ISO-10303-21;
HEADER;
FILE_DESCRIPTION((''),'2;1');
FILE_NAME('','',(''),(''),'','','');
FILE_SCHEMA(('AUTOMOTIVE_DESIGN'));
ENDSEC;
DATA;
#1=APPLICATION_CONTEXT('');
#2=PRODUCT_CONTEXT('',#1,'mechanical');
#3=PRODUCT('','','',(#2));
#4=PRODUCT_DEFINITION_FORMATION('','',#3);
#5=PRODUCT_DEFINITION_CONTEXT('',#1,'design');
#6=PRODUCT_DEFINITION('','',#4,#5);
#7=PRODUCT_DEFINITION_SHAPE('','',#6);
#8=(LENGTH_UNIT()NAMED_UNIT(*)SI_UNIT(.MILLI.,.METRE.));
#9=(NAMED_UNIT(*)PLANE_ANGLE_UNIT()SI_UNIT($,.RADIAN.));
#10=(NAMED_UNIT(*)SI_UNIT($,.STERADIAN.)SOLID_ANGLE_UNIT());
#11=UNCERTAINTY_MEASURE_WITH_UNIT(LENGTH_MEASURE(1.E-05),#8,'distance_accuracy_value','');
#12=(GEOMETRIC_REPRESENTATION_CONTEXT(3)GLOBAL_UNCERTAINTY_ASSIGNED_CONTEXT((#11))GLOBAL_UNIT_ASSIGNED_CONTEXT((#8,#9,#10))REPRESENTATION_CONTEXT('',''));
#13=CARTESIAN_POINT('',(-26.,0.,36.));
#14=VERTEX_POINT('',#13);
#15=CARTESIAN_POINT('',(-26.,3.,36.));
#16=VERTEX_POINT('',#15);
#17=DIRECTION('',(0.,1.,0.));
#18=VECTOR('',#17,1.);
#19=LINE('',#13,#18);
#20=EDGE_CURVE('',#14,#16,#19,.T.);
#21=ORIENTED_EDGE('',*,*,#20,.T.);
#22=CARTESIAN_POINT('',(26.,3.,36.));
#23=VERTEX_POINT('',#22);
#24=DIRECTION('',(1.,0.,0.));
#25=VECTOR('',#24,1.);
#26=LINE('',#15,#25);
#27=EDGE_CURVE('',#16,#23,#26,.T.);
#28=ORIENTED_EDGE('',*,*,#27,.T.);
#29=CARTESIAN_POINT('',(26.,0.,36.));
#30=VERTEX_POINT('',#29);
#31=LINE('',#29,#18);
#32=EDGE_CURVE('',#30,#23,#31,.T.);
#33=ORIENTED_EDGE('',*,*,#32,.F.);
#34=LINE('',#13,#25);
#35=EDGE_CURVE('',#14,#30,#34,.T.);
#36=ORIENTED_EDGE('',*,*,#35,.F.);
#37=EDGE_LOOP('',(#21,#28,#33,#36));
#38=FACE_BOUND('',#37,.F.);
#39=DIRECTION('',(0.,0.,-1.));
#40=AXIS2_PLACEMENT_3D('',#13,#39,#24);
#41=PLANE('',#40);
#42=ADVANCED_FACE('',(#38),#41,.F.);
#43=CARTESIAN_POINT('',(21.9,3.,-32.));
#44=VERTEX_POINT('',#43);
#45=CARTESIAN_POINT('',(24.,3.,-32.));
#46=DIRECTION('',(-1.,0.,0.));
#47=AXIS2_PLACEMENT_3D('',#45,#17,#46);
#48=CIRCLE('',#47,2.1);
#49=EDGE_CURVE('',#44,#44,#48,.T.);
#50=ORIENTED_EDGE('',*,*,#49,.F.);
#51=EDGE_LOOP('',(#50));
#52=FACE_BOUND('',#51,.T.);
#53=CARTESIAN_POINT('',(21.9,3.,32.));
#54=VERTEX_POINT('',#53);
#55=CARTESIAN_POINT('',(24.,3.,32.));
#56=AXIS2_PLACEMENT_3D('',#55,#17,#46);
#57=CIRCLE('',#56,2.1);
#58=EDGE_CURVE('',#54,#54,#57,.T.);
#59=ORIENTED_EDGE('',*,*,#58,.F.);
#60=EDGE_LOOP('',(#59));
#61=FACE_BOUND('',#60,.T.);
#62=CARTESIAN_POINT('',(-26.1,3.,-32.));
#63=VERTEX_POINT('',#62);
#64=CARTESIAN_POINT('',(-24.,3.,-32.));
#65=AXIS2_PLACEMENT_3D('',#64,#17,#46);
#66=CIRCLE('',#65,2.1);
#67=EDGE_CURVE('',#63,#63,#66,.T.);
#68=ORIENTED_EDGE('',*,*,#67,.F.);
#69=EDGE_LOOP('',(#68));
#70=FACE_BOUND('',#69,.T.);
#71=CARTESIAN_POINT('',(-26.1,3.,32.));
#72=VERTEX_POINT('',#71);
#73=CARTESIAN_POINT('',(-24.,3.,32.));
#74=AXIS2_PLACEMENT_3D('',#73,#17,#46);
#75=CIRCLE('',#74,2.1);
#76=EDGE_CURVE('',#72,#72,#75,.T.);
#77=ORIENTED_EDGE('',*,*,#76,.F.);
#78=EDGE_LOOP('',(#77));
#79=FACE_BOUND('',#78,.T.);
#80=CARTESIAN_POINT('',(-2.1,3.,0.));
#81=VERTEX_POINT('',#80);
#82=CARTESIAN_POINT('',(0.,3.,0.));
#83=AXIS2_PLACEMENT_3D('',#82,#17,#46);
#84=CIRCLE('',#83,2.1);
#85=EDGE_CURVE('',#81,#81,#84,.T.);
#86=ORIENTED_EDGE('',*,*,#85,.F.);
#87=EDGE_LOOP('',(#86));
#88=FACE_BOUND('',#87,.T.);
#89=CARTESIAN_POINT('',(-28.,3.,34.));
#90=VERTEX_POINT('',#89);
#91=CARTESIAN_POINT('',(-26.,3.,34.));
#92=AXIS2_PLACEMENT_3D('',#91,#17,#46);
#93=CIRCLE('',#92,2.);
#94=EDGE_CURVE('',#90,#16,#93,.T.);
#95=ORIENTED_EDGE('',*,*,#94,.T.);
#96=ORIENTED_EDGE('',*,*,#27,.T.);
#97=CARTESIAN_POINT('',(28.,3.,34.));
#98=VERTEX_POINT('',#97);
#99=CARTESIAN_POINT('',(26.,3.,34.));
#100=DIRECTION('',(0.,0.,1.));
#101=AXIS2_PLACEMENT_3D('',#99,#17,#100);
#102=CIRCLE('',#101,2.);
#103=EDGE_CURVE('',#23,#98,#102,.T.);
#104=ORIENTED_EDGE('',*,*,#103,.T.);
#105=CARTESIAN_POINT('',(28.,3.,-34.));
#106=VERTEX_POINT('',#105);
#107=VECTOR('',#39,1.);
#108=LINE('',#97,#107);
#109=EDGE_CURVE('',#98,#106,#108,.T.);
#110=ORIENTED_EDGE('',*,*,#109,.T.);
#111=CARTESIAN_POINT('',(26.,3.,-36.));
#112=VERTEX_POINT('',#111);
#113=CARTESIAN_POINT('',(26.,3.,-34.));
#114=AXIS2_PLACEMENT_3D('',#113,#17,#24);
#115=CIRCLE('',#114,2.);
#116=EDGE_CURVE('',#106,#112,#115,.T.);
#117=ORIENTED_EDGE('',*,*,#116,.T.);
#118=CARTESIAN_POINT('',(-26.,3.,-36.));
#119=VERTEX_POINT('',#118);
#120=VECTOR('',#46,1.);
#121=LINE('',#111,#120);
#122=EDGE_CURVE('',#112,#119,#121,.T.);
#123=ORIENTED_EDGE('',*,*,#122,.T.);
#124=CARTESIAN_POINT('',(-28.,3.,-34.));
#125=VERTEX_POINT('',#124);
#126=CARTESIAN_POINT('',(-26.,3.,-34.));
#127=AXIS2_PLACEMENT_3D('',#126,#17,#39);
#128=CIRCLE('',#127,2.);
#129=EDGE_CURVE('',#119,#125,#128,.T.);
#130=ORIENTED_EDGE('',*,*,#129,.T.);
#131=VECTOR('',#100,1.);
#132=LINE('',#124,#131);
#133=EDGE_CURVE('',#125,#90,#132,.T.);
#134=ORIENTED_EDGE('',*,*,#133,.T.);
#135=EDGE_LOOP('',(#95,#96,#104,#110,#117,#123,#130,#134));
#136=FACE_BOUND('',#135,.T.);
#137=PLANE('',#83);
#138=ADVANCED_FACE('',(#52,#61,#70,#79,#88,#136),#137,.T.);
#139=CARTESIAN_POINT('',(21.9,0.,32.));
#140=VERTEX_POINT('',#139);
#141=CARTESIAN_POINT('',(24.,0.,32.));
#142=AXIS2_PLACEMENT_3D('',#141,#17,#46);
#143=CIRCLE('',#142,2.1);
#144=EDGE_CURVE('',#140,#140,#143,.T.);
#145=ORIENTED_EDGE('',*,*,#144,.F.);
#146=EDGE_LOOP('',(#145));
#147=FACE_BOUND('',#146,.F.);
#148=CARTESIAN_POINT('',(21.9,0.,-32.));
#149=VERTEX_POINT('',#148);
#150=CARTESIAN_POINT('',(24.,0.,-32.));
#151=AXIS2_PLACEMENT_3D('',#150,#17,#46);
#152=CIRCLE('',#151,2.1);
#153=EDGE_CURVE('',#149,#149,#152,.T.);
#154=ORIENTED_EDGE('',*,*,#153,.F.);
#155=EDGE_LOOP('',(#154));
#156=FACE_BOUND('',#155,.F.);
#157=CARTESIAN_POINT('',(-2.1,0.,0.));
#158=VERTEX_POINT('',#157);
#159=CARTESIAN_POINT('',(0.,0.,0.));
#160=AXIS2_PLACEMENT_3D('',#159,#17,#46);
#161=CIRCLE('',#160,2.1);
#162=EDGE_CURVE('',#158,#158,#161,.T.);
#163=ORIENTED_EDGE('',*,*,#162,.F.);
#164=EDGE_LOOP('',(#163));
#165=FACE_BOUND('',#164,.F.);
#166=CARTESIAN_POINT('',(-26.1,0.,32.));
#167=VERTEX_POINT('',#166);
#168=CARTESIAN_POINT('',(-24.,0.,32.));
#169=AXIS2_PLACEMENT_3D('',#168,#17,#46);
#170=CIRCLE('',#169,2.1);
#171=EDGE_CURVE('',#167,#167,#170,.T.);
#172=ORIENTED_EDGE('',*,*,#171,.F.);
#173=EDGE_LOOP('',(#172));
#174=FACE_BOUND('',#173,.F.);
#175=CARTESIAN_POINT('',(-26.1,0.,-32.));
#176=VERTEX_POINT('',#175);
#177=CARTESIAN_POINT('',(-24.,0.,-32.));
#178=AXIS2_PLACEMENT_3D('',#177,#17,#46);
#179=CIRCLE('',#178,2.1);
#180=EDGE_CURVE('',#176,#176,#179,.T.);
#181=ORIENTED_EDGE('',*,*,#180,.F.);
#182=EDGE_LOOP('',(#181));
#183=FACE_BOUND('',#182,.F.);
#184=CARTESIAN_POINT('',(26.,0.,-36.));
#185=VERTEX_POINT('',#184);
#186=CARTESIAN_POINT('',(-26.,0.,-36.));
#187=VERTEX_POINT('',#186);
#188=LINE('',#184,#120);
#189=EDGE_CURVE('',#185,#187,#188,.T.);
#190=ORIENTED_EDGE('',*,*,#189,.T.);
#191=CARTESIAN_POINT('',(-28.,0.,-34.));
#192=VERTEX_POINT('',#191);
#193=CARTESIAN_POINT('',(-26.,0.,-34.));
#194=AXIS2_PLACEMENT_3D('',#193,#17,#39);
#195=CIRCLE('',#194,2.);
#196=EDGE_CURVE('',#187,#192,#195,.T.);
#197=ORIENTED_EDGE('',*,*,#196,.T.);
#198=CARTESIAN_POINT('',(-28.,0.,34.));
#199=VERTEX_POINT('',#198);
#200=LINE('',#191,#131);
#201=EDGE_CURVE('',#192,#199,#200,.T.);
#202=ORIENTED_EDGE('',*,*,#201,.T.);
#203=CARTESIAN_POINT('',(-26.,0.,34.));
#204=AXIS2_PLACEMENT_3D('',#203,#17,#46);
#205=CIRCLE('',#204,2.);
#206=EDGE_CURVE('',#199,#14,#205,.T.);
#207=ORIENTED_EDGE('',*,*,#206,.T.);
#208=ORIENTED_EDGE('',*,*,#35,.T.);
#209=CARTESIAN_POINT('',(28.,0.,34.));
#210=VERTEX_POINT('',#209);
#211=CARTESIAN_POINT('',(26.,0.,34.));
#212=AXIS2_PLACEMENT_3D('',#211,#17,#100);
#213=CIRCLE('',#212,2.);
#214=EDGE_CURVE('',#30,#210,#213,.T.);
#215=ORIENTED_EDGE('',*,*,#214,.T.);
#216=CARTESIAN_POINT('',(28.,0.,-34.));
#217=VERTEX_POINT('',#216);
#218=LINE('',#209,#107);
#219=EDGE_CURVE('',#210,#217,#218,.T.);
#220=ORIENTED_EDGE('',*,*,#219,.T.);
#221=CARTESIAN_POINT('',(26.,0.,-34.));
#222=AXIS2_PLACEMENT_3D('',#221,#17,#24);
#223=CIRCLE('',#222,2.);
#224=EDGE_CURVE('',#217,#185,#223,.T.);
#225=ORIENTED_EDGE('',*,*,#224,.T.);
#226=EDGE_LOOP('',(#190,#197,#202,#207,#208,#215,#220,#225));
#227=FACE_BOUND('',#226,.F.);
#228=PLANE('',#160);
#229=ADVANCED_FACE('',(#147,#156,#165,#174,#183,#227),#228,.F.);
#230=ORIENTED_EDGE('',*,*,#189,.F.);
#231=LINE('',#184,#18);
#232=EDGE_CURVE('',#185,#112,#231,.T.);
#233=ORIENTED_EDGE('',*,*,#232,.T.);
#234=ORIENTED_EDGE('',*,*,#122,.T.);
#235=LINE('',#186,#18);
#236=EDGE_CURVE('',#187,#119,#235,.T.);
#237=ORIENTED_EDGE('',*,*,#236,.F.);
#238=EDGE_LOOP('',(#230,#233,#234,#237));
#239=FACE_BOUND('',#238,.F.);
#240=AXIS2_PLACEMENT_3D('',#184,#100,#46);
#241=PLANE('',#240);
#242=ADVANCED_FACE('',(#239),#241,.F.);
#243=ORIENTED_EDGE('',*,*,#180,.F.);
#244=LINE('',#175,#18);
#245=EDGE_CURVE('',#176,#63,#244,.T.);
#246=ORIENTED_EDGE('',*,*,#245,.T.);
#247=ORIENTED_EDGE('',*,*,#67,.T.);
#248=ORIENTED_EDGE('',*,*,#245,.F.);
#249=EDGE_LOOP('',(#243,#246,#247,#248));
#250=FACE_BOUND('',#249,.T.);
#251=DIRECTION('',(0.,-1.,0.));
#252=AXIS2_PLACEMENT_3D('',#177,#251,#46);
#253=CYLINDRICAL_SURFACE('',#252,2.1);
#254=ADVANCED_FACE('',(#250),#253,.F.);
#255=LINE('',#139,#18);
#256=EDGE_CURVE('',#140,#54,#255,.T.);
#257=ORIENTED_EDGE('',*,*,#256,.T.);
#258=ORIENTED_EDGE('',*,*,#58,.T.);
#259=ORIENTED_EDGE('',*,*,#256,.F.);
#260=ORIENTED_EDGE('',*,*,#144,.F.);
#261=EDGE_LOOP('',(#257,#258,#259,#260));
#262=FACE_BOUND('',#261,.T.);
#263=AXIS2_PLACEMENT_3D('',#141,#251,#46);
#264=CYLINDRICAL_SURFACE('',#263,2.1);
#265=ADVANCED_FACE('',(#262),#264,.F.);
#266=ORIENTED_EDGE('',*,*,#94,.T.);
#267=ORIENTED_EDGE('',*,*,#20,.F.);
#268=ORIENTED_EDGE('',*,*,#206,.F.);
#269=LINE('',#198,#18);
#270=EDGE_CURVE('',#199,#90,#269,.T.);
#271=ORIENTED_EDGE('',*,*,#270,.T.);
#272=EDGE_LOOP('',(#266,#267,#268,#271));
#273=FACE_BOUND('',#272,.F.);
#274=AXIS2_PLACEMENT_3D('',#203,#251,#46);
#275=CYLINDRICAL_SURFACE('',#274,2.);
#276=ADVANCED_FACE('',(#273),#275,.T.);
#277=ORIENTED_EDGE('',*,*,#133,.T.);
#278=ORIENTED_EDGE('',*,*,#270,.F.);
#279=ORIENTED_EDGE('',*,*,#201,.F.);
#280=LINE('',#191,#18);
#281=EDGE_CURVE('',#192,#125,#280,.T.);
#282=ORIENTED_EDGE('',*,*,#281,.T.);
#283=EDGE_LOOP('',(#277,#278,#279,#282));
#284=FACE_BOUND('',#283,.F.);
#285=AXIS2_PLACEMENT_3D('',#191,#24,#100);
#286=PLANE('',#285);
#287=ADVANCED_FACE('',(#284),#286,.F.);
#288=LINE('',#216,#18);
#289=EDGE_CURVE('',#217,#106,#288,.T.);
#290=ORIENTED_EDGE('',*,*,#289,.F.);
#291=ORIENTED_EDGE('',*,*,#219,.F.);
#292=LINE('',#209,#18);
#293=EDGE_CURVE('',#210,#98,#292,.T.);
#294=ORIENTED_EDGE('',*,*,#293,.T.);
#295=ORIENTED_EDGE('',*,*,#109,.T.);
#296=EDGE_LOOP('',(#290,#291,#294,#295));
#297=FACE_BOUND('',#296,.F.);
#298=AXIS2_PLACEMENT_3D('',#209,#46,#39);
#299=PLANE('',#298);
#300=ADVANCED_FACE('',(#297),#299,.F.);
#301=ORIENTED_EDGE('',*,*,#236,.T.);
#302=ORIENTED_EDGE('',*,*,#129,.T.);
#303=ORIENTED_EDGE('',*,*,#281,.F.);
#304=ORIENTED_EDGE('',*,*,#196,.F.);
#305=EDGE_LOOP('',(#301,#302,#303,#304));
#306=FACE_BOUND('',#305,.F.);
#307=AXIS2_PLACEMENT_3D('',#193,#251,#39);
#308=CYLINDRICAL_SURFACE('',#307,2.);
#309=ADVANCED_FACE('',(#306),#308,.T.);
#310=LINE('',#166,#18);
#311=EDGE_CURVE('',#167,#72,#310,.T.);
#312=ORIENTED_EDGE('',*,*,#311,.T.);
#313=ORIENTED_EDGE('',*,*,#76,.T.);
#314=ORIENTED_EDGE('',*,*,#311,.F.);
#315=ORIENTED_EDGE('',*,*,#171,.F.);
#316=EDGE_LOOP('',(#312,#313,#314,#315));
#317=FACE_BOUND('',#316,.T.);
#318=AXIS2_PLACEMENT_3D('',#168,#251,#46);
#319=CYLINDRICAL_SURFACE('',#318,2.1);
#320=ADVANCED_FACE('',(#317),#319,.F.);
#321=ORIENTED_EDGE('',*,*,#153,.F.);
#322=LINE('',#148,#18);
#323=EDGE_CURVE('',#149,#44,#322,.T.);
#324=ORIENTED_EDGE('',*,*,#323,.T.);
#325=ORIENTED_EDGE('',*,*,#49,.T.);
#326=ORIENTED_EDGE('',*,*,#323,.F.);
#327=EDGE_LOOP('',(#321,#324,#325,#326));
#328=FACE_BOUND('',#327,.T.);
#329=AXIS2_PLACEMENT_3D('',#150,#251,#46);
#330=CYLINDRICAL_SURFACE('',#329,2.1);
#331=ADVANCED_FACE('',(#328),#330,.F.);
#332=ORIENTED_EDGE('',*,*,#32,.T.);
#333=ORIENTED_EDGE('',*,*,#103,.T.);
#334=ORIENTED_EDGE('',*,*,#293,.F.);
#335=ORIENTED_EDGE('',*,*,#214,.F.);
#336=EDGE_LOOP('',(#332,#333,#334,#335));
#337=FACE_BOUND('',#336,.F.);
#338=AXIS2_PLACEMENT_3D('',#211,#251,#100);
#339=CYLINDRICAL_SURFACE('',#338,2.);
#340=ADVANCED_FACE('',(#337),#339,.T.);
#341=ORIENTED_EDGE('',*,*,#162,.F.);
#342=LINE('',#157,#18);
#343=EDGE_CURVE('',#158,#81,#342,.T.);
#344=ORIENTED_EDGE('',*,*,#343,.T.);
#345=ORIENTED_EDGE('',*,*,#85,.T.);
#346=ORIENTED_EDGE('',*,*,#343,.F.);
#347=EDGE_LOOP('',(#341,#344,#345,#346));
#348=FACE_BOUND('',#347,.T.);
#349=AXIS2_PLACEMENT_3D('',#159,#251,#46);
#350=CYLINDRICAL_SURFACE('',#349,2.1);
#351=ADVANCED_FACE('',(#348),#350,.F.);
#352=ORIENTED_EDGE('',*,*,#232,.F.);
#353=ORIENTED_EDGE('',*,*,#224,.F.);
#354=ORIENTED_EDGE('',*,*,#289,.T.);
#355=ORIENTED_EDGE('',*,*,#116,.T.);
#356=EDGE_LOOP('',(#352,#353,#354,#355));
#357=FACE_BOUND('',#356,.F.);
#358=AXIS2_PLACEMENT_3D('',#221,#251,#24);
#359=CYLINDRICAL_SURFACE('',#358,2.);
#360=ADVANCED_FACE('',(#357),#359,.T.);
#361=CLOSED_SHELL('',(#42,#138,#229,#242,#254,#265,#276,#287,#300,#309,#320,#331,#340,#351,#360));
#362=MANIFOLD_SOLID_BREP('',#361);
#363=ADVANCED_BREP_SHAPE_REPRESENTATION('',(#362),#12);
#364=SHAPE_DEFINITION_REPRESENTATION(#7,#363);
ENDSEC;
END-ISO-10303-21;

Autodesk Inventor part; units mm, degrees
ref_plane "YZ Plane" through (0, 0, 0) normal (1, 0, 0) x (0, 1, 0)
ref_plane "XZ Plane" through (0, 0, 0) normal (0, 1, 0) x (-1, 0, 0)
ref_plane "XY Plane" through (0, 0, 0) normal (0, 0, 1) x (1, 0, 0)
sketch "Sketch1" plane through (0, 0, 0) normal (0, 1, 0) x (-1, 0, 0)
  line L0 (24, 32) -> (-24, 32) construction
  line L1 (-24, 32) -> (-24, -32) construction
  line L2 (-24, -32) -> (24, -32) construction
  line L3 (24, -32) -> (24, 32) construction
  line L4 (24, 32) -> (-24, -32) construction
  line L5 (-24, 32) -> (24, -32) construction
  line L6 (26, 36) -> (-26, 36)
  line L7 (-28, 34) -> (-28, -34)
  line L8 (-26, -36) -> (26, -36)
  line L9 (28, -34) -> (28, 34)
  arc A0 (26, -36) -> (28, -34) centre (26, -34) ccw
  arc A1 (28, 34) -> (26, 36) centre (26, 34) ccw
  arc A2 (-26, 36) -> (-28, 34) centre (-26, 34) ccw
  arc A3 (-28, -34) -> (-26, -36) centre (-26, -34) ccw
  circle A4 centre (24, -32) radius 2.1
  circle A5 centre (-24, -32) radius 2.1
  circle A6 centre (-24, 32) radius 2.1
  circle A7 centre (24, 32) radius 2.1
  circle A8 centre (0, 0) radius 2.1
  dimension "d0" = 48
  dimension "d1" = 64
  dimension "d2" = 4
  dimension "d3" = 2
  dimension "d4" = 4.2
  dimension "d5" = 4.2
  dimension "d6" = 4.2
  dimension "d7" = 4.2
  dimension "d8" = 4.2
extrude "Extrusion1" add sketch "Sketch1" along normal blind 3
properties part number "StageConnectionPlate" material "Aluminum 6061"
